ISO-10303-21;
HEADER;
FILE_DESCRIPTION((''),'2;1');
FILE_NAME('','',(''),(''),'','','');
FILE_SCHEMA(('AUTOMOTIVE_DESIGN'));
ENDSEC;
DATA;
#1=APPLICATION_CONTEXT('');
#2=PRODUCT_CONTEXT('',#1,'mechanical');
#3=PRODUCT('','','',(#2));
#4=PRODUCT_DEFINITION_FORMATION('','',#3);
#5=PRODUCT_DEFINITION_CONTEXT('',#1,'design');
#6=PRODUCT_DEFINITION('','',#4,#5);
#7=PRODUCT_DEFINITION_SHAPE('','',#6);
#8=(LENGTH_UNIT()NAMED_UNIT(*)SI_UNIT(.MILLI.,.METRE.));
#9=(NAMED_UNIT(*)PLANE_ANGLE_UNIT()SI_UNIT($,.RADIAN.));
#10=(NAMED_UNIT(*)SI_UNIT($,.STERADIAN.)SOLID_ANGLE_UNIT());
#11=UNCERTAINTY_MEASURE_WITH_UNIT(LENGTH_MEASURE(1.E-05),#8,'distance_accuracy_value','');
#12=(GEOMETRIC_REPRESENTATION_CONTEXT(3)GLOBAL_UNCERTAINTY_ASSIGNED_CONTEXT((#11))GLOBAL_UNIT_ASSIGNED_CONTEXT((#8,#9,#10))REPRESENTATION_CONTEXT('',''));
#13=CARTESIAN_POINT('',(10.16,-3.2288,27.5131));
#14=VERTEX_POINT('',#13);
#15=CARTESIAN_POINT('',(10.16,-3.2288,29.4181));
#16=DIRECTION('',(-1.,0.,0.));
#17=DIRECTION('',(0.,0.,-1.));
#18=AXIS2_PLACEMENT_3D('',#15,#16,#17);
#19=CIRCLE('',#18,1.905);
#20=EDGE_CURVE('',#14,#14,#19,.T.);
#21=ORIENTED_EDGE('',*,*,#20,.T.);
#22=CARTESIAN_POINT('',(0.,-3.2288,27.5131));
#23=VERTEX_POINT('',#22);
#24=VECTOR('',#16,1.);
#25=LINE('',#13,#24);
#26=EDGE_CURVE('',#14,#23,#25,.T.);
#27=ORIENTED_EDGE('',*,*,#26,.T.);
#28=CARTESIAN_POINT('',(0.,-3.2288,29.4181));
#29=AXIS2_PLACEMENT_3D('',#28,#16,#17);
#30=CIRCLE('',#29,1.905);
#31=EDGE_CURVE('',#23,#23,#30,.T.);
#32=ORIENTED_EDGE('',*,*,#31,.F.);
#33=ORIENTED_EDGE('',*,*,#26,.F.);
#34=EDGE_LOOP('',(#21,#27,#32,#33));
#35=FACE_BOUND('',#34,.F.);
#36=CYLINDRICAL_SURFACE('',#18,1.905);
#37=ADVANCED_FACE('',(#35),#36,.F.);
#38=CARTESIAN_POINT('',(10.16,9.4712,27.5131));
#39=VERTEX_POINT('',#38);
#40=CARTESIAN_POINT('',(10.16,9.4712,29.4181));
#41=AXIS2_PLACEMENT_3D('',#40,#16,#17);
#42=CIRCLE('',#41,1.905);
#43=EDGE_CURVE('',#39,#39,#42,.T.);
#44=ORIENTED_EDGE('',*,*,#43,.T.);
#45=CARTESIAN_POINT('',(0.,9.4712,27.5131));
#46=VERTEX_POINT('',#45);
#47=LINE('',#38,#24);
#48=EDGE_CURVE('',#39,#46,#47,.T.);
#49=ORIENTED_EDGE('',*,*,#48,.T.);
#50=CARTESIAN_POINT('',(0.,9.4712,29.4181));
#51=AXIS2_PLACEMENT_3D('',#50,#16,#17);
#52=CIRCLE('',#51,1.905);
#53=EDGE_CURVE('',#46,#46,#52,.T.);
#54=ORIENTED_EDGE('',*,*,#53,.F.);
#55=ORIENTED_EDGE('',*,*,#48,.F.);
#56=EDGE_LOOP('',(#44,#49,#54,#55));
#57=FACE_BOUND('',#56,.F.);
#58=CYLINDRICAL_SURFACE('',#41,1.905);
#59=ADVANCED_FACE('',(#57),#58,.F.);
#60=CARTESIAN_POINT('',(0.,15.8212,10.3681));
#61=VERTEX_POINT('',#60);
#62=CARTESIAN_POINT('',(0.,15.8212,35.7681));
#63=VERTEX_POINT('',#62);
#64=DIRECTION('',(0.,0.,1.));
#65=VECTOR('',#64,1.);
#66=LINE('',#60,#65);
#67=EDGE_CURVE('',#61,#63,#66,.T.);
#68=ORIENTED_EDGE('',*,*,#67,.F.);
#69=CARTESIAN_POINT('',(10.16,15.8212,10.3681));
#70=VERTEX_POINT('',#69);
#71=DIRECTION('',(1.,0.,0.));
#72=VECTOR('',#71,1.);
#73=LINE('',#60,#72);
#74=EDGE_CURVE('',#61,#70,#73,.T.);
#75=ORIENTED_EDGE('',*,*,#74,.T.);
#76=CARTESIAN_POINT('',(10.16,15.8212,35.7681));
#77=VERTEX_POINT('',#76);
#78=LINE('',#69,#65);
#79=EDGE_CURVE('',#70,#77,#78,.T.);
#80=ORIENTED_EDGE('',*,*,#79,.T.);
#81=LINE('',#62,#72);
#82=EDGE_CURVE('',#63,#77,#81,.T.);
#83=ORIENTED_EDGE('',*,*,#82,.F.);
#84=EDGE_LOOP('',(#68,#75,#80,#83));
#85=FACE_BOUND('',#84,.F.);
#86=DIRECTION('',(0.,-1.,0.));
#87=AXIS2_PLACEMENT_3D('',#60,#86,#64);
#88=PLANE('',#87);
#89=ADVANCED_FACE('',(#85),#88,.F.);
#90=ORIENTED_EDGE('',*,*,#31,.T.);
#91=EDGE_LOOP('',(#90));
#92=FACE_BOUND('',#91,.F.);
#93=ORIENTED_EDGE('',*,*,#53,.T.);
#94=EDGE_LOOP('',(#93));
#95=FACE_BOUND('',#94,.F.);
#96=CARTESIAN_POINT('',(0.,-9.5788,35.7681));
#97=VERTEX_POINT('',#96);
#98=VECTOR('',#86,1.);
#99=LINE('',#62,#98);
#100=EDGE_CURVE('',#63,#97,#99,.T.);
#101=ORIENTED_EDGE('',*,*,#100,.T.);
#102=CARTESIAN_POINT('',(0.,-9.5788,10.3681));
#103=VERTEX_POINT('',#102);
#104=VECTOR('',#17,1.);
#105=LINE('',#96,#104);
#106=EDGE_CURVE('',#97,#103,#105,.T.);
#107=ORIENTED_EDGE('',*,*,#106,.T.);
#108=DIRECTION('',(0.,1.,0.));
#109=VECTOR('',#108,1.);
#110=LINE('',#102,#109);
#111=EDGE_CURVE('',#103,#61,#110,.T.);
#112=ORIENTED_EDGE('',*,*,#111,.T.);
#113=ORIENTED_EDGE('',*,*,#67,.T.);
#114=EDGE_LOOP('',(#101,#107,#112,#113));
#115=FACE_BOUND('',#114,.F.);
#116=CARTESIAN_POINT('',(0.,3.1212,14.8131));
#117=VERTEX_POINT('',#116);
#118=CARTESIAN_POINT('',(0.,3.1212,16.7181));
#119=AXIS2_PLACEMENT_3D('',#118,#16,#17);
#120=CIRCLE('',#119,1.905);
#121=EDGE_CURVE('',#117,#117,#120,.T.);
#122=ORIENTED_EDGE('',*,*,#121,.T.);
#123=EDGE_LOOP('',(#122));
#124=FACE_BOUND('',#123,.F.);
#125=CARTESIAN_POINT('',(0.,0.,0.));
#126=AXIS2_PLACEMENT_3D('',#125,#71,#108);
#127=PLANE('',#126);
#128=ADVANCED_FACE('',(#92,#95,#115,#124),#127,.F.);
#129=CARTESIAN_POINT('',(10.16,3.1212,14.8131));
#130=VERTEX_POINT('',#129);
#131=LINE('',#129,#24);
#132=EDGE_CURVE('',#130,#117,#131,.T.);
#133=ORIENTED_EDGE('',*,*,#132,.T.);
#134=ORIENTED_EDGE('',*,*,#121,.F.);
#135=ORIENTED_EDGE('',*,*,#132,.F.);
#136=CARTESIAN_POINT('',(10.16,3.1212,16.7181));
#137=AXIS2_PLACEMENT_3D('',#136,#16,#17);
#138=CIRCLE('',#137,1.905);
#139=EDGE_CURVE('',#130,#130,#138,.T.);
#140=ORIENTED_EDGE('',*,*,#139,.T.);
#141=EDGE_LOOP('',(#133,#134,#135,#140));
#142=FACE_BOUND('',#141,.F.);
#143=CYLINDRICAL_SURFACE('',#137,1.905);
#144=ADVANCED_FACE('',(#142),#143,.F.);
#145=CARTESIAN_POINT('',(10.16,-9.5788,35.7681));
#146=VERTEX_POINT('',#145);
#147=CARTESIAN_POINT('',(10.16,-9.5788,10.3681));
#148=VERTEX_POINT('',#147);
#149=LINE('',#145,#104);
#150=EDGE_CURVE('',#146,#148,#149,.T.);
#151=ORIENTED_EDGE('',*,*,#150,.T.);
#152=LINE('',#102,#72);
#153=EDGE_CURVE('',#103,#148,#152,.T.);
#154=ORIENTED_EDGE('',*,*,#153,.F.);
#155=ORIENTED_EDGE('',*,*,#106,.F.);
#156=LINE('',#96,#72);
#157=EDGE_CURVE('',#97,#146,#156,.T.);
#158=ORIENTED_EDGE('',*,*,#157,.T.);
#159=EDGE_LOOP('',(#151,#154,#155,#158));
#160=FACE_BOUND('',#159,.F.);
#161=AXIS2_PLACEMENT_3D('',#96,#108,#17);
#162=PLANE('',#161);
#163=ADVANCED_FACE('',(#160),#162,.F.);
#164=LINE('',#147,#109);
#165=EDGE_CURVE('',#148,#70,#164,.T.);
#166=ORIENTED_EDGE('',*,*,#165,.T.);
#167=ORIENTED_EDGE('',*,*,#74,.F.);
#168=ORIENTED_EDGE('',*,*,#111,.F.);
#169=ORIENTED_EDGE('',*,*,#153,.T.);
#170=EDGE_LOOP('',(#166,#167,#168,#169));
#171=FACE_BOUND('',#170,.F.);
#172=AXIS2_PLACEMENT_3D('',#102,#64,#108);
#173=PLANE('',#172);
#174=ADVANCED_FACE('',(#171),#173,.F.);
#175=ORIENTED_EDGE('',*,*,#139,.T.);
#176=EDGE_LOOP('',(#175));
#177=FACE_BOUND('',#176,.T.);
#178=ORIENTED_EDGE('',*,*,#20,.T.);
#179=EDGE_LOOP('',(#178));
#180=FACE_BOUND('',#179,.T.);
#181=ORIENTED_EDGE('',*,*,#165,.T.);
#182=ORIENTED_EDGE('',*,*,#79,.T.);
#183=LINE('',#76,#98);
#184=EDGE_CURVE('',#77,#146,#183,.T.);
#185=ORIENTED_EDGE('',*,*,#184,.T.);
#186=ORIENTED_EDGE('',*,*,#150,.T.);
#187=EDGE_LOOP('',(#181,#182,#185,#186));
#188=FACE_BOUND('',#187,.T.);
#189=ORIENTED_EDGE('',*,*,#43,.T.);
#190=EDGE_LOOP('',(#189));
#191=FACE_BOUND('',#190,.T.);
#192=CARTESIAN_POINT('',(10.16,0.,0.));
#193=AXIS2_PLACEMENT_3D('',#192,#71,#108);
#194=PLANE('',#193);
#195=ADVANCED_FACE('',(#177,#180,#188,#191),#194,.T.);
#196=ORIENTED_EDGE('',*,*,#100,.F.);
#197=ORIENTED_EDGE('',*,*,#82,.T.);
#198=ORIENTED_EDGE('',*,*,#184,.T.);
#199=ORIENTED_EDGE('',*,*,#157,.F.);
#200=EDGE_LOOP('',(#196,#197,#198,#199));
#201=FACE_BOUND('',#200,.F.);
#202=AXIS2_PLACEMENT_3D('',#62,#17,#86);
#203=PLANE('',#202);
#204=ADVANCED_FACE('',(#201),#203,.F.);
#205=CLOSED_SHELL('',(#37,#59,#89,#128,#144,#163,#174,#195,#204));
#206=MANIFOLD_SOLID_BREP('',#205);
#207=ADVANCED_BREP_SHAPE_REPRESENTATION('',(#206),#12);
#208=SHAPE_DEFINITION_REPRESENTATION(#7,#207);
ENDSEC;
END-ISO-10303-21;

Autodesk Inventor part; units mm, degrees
ref_plane "YZ Plane" through (0, 0, 0) normal (1, 0, 0) x (0, 1, 0)
ref_plane "XZ Plane" through (0, 0, 0) normal (0, 1, 0) x (-1, 0, 0)
ref_plane "XY Plane" through (0, 0, 0) normal (0, 0, 1) x (1, 0, 0)
sketch "Sketch1" plane through (0, 0, 0) normal (1, 0, 0) x (0, 1, 0)
  line L0 (15.8212, 35.7681) -> (-9.5788, 35.7681)
  line L1 (-9.5788, 35.7681) -> (-9.5788, 10.3681)
  line L2 (-9.5788, 10.3681) -> (15.8212, 10.3681)
  line L3 (15.8212, 10.3681) -> (15.8212, 35.7681)
  point P0 (0, 0)
  dimension "d0" = 25.4
  dimension "d1" = 25.4
extrude "Extrusion1" add sketch "Sketch1" along normal blind 10.16
sketch "Sketch2" plane through (10.16, 0, 0) normal (1, 0, 0) x (0, 0, -1)
  line L0 (-35.7681, 15.8212) -> (-35.7681, -9.5788) projected
  line L1 (-10.3681, 15.8212) -> (-35.7681, 15.8212) projected
  line L2 (-35.7681, -9.5788) -> (-10.3681, -9.5788) projected
  point P0 (0, 0)
  point P1 (-29.4181, 9.4712)
  point P2 (-29.4181, -3.2288)
  point P3 (-16.7181, 3.1212)
  dimension "d4" = 19.05
  dimension "d5" = 12.7
  dimension "d6" = 6.35
  dimension "d7" = 6.35
  dimension "d8" = 0
  dimension "d9" = 6.35
hole "Hole1" at (10.16, 9.4712, 29.4181) at (10.16, -3.2288, 29.4181) at (10.16, 3.1212, 16.7181) direction (-1, 0, 0) diameter 3.81 depth 10.9728 tip angle 118.188 clearance for "Flat Head Machine Screw (82)" size "#6" standard "Ansi Unified Screw Threads"
properties part number "tOPgRIPPERcLAMP"
